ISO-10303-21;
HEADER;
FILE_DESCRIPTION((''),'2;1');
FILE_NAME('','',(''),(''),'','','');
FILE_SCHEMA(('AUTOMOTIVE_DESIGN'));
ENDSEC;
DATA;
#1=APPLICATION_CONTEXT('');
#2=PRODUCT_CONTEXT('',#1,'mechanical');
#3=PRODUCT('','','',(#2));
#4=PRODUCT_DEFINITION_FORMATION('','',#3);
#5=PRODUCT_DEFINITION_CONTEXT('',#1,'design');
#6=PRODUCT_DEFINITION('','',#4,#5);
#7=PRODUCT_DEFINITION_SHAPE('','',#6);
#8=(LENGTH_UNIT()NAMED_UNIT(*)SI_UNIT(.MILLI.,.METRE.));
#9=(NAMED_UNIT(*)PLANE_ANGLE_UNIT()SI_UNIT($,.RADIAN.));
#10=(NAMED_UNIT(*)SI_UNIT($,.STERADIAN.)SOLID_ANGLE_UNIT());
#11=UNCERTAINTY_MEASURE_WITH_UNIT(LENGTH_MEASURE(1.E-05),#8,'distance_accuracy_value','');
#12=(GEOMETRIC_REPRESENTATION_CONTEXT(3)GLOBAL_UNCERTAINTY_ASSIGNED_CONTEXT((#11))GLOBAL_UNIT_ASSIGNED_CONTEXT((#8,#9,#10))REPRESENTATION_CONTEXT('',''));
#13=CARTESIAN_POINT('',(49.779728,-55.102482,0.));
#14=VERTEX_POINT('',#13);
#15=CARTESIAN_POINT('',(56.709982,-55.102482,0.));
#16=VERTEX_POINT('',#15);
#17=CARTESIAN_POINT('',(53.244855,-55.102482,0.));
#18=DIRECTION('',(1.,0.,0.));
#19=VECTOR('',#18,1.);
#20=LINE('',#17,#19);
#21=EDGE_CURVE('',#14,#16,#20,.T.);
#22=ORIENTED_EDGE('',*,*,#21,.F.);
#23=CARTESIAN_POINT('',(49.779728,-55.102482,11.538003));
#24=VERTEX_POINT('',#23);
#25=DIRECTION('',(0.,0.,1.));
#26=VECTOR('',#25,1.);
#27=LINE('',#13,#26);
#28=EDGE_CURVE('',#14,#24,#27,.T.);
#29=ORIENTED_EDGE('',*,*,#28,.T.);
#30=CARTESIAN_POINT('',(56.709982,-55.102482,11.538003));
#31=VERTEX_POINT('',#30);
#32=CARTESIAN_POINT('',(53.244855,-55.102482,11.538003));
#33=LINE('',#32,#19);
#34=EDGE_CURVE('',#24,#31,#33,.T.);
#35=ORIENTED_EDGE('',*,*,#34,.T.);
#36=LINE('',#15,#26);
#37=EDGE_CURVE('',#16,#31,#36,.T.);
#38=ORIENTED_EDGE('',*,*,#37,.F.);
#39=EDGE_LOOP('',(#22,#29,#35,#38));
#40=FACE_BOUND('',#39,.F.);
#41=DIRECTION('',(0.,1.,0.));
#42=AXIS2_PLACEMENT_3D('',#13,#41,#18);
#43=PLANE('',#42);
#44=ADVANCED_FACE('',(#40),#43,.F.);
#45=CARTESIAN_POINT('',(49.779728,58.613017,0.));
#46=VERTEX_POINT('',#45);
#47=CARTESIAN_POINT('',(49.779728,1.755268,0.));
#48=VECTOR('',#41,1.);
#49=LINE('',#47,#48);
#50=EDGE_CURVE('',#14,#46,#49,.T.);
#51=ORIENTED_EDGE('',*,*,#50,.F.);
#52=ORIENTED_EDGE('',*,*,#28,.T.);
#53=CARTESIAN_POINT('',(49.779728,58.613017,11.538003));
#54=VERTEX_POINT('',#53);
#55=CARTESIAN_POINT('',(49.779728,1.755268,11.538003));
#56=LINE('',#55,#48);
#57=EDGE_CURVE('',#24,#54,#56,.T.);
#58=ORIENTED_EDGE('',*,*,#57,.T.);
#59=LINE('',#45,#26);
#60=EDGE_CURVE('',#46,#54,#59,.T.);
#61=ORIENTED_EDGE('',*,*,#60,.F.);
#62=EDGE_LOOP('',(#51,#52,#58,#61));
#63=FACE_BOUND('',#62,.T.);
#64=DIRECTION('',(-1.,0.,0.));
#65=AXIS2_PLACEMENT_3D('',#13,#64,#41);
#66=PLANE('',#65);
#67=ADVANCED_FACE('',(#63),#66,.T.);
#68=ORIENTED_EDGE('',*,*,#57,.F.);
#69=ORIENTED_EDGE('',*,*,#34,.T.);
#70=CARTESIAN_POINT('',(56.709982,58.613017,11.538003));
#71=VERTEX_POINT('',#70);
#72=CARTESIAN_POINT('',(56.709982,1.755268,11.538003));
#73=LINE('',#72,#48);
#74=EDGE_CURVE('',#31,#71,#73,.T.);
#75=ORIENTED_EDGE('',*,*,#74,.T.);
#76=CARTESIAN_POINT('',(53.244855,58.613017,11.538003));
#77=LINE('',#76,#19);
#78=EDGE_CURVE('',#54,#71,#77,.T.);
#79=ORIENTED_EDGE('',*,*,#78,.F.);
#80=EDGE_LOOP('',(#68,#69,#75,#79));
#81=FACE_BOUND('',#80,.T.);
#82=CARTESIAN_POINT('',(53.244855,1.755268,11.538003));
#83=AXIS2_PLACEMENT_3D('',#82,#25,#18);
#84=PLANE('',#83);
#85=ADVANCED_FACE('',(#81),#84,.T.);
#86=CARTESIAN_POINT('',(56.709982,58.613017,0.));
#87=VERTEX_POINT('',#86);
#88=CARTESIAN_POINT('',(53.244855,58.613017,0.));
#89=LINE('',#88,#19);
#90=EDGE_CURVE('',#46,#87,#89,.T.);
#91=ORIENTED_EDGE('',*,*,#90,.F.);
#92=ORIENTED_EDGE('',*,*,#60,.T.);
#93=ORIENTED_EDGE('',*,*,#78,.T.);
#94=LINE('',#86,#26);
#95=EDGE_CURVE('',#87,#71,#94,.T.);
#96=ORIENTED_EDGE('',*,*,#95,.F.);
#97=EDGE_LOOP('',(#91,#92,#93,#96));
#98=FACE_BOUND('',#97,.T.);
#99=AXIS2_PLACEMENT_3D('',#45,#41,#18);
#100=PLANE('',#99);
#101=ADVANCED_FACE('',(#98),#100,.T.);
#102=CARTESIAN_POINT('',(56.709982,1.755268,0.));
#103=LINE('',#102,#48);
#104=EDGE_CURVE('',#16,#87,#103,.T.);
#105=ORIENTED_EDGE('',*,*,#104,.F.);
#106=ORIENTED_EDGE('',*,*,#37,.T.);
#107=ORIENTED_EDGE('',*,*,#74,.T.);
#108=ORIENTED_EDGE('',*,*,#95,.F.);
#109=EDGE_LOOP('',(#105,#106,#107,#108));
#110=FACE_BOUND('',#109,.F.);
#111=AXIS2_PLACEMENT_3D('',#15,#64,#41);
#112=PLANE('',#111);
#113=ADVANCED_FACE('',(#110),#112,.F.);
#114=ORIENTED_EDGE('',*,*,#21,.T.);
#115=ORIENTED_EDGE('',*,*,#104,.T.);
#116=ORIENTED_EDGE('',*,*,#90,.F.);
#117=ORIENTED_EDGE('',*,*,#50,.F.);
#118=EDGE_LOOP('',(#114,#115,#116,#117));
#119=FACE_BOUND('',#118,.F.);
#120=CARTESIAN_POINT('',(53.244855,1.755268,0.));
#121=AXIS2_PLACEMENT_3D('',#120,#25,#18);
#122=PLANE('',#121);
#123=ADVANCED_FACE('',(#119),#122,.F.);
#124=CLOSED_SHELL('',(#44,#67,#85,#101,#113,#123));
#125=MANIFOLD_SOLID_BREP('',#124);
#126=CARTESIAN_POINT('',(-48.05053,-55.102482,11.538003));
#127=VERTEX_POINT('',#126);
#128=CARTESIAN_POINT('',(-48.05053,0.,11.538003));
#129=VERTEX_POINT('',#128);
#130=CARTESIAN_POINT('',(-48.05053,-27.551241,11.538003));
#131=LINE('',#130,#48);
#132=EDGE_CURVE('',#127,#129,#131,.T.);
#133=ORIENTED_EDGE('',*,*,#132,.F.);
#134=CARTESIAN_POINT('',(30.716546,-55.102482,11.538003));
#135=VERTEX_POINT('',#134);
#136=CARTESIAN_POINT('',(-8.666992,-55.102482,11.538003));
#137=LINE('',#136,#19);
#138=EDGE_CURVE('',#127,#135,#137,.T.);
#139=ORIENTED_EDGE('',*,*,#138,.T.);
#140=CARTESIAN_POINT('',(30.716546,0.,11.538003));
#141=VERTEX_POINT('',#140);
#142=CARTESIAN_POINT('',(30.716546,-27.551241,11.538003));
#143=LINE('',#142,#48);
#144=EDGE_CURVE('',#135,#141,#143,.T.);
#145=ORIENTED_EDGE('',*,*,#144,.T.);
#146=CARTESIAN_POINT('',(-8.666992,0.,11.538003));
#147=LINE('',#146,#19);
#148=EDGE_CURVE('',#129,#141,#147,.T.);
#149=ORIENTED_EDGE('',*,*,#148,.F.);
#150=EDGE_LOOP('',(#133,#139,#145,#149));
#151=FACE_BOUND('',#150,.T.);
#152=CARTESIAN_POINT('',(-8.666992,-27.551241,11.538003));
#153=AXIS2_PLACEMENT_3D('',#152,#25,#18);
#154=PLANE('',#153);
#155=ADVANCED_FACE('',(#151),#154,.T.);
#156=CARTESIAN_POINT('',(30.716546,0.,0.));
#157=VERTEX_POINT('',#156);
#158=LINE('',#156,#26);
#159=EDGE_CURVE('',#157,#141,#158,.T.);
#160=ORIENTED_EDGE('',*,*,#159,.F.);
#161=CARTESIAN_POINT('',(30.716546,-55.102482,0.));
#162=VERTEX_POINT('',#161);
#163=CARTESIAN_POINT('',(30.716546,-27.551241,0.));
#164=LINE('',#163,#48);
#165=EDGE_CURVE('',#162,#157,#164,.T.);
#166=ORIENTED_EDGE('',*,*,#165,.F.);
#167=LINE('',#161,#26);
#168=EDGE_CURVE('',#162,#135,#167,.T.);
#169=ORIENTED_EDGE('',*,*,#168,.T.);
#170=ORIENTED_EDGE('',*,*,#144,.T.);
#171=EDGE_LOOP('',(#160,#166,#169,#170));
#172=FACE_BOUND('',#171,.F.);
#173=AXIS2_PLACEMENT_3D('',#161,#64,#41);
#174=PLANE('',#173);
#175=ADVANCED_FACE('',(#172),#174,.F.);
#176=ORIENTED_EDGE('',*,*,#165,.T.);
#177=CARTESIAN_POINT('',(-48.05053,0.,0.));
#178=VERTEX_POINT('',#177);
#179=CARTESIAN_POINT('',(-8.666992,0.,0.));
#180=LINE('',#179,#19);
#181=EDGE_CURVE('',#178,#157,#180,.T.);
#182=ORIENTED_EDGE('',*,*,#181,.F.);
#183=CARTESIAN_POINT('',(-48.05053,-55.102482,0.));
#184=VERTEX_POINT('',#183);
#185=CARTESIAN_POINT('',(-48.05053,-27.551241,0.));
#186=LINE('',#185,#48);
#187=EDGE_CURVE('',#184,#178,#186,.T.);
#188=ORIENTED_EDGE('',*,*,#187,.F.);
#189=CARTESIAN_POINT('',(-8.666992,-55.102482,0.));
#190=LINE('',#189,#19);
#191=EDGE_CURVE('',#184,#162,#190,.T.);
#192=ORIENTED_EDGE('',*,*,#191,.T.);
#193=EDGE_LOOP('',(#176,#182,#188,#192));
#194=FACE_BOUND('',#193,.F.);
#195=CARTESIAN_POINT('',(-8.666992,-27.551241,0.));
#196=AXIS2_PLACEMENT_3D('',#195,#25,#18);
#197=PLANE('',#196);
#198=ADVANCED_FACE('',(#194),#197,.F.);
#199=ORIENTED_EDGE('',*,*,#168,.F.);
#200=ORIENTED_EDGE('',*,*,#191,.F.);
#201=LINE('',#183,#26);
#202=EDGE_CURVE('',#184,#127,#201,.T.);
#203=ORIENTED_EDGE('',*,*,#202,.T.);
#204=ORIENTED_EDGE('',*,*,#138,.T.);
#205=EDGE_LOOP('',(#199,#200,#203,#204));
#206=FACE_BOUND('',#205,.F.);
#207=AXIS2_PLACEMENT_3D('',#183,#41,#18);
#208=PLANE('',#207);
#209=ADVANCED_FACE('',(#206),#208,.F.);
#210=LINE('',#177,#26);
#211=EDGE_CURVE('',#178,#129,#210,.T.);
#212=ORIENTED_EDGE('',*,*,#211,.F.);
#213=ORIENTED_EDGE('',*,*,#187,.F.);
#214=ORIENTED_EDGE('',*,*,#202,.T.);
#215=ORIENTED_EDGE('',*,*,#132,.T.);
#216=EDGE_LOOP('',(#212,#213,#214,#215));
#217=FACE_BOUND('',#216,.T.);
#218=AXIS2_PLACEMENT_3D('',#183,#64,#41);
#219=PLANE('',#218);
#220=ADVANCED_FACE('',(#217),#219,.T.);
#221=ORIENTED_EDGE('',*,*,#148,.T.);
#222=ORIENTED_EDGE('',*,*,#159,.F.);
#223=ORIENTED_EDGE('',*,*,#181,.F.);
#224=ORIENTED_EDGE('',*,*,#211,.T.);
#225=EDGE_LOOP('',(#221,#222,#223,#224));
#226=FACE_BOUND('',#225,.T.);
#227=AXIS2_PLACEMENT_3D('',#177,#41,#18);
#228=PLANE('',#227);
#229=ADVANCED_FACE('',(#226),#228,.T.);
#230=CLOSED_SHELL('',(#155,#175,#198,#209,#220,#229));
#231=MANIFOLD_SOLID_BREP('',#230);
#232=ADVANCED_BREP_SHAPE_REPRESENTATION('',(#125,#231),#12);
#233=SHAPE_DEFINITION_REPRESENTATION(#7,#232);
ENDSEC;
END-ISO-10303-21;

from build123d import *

# Parameters (mm, degrees)
F0_W     = 6.930254
F0_H     = 113.715499
F0_W_2   = 78.767076
F0_H_2   = 55.102482
F1_DEPTH = 11.538003


with BuildPart() as f1:
    # F0 (on Top) → F1 (new body)
    with BuildSketch(Plane.XY):
        with Locations((53.244855, 1.755268)):
            Rectangle(F0_W, F0_H)
        with Locations((-8.666992, -27.551241)):
            Rectangle(F0_W_2, F0_H_2)
    extrude(amount=F1_DEPTH)


solid = f1.part
